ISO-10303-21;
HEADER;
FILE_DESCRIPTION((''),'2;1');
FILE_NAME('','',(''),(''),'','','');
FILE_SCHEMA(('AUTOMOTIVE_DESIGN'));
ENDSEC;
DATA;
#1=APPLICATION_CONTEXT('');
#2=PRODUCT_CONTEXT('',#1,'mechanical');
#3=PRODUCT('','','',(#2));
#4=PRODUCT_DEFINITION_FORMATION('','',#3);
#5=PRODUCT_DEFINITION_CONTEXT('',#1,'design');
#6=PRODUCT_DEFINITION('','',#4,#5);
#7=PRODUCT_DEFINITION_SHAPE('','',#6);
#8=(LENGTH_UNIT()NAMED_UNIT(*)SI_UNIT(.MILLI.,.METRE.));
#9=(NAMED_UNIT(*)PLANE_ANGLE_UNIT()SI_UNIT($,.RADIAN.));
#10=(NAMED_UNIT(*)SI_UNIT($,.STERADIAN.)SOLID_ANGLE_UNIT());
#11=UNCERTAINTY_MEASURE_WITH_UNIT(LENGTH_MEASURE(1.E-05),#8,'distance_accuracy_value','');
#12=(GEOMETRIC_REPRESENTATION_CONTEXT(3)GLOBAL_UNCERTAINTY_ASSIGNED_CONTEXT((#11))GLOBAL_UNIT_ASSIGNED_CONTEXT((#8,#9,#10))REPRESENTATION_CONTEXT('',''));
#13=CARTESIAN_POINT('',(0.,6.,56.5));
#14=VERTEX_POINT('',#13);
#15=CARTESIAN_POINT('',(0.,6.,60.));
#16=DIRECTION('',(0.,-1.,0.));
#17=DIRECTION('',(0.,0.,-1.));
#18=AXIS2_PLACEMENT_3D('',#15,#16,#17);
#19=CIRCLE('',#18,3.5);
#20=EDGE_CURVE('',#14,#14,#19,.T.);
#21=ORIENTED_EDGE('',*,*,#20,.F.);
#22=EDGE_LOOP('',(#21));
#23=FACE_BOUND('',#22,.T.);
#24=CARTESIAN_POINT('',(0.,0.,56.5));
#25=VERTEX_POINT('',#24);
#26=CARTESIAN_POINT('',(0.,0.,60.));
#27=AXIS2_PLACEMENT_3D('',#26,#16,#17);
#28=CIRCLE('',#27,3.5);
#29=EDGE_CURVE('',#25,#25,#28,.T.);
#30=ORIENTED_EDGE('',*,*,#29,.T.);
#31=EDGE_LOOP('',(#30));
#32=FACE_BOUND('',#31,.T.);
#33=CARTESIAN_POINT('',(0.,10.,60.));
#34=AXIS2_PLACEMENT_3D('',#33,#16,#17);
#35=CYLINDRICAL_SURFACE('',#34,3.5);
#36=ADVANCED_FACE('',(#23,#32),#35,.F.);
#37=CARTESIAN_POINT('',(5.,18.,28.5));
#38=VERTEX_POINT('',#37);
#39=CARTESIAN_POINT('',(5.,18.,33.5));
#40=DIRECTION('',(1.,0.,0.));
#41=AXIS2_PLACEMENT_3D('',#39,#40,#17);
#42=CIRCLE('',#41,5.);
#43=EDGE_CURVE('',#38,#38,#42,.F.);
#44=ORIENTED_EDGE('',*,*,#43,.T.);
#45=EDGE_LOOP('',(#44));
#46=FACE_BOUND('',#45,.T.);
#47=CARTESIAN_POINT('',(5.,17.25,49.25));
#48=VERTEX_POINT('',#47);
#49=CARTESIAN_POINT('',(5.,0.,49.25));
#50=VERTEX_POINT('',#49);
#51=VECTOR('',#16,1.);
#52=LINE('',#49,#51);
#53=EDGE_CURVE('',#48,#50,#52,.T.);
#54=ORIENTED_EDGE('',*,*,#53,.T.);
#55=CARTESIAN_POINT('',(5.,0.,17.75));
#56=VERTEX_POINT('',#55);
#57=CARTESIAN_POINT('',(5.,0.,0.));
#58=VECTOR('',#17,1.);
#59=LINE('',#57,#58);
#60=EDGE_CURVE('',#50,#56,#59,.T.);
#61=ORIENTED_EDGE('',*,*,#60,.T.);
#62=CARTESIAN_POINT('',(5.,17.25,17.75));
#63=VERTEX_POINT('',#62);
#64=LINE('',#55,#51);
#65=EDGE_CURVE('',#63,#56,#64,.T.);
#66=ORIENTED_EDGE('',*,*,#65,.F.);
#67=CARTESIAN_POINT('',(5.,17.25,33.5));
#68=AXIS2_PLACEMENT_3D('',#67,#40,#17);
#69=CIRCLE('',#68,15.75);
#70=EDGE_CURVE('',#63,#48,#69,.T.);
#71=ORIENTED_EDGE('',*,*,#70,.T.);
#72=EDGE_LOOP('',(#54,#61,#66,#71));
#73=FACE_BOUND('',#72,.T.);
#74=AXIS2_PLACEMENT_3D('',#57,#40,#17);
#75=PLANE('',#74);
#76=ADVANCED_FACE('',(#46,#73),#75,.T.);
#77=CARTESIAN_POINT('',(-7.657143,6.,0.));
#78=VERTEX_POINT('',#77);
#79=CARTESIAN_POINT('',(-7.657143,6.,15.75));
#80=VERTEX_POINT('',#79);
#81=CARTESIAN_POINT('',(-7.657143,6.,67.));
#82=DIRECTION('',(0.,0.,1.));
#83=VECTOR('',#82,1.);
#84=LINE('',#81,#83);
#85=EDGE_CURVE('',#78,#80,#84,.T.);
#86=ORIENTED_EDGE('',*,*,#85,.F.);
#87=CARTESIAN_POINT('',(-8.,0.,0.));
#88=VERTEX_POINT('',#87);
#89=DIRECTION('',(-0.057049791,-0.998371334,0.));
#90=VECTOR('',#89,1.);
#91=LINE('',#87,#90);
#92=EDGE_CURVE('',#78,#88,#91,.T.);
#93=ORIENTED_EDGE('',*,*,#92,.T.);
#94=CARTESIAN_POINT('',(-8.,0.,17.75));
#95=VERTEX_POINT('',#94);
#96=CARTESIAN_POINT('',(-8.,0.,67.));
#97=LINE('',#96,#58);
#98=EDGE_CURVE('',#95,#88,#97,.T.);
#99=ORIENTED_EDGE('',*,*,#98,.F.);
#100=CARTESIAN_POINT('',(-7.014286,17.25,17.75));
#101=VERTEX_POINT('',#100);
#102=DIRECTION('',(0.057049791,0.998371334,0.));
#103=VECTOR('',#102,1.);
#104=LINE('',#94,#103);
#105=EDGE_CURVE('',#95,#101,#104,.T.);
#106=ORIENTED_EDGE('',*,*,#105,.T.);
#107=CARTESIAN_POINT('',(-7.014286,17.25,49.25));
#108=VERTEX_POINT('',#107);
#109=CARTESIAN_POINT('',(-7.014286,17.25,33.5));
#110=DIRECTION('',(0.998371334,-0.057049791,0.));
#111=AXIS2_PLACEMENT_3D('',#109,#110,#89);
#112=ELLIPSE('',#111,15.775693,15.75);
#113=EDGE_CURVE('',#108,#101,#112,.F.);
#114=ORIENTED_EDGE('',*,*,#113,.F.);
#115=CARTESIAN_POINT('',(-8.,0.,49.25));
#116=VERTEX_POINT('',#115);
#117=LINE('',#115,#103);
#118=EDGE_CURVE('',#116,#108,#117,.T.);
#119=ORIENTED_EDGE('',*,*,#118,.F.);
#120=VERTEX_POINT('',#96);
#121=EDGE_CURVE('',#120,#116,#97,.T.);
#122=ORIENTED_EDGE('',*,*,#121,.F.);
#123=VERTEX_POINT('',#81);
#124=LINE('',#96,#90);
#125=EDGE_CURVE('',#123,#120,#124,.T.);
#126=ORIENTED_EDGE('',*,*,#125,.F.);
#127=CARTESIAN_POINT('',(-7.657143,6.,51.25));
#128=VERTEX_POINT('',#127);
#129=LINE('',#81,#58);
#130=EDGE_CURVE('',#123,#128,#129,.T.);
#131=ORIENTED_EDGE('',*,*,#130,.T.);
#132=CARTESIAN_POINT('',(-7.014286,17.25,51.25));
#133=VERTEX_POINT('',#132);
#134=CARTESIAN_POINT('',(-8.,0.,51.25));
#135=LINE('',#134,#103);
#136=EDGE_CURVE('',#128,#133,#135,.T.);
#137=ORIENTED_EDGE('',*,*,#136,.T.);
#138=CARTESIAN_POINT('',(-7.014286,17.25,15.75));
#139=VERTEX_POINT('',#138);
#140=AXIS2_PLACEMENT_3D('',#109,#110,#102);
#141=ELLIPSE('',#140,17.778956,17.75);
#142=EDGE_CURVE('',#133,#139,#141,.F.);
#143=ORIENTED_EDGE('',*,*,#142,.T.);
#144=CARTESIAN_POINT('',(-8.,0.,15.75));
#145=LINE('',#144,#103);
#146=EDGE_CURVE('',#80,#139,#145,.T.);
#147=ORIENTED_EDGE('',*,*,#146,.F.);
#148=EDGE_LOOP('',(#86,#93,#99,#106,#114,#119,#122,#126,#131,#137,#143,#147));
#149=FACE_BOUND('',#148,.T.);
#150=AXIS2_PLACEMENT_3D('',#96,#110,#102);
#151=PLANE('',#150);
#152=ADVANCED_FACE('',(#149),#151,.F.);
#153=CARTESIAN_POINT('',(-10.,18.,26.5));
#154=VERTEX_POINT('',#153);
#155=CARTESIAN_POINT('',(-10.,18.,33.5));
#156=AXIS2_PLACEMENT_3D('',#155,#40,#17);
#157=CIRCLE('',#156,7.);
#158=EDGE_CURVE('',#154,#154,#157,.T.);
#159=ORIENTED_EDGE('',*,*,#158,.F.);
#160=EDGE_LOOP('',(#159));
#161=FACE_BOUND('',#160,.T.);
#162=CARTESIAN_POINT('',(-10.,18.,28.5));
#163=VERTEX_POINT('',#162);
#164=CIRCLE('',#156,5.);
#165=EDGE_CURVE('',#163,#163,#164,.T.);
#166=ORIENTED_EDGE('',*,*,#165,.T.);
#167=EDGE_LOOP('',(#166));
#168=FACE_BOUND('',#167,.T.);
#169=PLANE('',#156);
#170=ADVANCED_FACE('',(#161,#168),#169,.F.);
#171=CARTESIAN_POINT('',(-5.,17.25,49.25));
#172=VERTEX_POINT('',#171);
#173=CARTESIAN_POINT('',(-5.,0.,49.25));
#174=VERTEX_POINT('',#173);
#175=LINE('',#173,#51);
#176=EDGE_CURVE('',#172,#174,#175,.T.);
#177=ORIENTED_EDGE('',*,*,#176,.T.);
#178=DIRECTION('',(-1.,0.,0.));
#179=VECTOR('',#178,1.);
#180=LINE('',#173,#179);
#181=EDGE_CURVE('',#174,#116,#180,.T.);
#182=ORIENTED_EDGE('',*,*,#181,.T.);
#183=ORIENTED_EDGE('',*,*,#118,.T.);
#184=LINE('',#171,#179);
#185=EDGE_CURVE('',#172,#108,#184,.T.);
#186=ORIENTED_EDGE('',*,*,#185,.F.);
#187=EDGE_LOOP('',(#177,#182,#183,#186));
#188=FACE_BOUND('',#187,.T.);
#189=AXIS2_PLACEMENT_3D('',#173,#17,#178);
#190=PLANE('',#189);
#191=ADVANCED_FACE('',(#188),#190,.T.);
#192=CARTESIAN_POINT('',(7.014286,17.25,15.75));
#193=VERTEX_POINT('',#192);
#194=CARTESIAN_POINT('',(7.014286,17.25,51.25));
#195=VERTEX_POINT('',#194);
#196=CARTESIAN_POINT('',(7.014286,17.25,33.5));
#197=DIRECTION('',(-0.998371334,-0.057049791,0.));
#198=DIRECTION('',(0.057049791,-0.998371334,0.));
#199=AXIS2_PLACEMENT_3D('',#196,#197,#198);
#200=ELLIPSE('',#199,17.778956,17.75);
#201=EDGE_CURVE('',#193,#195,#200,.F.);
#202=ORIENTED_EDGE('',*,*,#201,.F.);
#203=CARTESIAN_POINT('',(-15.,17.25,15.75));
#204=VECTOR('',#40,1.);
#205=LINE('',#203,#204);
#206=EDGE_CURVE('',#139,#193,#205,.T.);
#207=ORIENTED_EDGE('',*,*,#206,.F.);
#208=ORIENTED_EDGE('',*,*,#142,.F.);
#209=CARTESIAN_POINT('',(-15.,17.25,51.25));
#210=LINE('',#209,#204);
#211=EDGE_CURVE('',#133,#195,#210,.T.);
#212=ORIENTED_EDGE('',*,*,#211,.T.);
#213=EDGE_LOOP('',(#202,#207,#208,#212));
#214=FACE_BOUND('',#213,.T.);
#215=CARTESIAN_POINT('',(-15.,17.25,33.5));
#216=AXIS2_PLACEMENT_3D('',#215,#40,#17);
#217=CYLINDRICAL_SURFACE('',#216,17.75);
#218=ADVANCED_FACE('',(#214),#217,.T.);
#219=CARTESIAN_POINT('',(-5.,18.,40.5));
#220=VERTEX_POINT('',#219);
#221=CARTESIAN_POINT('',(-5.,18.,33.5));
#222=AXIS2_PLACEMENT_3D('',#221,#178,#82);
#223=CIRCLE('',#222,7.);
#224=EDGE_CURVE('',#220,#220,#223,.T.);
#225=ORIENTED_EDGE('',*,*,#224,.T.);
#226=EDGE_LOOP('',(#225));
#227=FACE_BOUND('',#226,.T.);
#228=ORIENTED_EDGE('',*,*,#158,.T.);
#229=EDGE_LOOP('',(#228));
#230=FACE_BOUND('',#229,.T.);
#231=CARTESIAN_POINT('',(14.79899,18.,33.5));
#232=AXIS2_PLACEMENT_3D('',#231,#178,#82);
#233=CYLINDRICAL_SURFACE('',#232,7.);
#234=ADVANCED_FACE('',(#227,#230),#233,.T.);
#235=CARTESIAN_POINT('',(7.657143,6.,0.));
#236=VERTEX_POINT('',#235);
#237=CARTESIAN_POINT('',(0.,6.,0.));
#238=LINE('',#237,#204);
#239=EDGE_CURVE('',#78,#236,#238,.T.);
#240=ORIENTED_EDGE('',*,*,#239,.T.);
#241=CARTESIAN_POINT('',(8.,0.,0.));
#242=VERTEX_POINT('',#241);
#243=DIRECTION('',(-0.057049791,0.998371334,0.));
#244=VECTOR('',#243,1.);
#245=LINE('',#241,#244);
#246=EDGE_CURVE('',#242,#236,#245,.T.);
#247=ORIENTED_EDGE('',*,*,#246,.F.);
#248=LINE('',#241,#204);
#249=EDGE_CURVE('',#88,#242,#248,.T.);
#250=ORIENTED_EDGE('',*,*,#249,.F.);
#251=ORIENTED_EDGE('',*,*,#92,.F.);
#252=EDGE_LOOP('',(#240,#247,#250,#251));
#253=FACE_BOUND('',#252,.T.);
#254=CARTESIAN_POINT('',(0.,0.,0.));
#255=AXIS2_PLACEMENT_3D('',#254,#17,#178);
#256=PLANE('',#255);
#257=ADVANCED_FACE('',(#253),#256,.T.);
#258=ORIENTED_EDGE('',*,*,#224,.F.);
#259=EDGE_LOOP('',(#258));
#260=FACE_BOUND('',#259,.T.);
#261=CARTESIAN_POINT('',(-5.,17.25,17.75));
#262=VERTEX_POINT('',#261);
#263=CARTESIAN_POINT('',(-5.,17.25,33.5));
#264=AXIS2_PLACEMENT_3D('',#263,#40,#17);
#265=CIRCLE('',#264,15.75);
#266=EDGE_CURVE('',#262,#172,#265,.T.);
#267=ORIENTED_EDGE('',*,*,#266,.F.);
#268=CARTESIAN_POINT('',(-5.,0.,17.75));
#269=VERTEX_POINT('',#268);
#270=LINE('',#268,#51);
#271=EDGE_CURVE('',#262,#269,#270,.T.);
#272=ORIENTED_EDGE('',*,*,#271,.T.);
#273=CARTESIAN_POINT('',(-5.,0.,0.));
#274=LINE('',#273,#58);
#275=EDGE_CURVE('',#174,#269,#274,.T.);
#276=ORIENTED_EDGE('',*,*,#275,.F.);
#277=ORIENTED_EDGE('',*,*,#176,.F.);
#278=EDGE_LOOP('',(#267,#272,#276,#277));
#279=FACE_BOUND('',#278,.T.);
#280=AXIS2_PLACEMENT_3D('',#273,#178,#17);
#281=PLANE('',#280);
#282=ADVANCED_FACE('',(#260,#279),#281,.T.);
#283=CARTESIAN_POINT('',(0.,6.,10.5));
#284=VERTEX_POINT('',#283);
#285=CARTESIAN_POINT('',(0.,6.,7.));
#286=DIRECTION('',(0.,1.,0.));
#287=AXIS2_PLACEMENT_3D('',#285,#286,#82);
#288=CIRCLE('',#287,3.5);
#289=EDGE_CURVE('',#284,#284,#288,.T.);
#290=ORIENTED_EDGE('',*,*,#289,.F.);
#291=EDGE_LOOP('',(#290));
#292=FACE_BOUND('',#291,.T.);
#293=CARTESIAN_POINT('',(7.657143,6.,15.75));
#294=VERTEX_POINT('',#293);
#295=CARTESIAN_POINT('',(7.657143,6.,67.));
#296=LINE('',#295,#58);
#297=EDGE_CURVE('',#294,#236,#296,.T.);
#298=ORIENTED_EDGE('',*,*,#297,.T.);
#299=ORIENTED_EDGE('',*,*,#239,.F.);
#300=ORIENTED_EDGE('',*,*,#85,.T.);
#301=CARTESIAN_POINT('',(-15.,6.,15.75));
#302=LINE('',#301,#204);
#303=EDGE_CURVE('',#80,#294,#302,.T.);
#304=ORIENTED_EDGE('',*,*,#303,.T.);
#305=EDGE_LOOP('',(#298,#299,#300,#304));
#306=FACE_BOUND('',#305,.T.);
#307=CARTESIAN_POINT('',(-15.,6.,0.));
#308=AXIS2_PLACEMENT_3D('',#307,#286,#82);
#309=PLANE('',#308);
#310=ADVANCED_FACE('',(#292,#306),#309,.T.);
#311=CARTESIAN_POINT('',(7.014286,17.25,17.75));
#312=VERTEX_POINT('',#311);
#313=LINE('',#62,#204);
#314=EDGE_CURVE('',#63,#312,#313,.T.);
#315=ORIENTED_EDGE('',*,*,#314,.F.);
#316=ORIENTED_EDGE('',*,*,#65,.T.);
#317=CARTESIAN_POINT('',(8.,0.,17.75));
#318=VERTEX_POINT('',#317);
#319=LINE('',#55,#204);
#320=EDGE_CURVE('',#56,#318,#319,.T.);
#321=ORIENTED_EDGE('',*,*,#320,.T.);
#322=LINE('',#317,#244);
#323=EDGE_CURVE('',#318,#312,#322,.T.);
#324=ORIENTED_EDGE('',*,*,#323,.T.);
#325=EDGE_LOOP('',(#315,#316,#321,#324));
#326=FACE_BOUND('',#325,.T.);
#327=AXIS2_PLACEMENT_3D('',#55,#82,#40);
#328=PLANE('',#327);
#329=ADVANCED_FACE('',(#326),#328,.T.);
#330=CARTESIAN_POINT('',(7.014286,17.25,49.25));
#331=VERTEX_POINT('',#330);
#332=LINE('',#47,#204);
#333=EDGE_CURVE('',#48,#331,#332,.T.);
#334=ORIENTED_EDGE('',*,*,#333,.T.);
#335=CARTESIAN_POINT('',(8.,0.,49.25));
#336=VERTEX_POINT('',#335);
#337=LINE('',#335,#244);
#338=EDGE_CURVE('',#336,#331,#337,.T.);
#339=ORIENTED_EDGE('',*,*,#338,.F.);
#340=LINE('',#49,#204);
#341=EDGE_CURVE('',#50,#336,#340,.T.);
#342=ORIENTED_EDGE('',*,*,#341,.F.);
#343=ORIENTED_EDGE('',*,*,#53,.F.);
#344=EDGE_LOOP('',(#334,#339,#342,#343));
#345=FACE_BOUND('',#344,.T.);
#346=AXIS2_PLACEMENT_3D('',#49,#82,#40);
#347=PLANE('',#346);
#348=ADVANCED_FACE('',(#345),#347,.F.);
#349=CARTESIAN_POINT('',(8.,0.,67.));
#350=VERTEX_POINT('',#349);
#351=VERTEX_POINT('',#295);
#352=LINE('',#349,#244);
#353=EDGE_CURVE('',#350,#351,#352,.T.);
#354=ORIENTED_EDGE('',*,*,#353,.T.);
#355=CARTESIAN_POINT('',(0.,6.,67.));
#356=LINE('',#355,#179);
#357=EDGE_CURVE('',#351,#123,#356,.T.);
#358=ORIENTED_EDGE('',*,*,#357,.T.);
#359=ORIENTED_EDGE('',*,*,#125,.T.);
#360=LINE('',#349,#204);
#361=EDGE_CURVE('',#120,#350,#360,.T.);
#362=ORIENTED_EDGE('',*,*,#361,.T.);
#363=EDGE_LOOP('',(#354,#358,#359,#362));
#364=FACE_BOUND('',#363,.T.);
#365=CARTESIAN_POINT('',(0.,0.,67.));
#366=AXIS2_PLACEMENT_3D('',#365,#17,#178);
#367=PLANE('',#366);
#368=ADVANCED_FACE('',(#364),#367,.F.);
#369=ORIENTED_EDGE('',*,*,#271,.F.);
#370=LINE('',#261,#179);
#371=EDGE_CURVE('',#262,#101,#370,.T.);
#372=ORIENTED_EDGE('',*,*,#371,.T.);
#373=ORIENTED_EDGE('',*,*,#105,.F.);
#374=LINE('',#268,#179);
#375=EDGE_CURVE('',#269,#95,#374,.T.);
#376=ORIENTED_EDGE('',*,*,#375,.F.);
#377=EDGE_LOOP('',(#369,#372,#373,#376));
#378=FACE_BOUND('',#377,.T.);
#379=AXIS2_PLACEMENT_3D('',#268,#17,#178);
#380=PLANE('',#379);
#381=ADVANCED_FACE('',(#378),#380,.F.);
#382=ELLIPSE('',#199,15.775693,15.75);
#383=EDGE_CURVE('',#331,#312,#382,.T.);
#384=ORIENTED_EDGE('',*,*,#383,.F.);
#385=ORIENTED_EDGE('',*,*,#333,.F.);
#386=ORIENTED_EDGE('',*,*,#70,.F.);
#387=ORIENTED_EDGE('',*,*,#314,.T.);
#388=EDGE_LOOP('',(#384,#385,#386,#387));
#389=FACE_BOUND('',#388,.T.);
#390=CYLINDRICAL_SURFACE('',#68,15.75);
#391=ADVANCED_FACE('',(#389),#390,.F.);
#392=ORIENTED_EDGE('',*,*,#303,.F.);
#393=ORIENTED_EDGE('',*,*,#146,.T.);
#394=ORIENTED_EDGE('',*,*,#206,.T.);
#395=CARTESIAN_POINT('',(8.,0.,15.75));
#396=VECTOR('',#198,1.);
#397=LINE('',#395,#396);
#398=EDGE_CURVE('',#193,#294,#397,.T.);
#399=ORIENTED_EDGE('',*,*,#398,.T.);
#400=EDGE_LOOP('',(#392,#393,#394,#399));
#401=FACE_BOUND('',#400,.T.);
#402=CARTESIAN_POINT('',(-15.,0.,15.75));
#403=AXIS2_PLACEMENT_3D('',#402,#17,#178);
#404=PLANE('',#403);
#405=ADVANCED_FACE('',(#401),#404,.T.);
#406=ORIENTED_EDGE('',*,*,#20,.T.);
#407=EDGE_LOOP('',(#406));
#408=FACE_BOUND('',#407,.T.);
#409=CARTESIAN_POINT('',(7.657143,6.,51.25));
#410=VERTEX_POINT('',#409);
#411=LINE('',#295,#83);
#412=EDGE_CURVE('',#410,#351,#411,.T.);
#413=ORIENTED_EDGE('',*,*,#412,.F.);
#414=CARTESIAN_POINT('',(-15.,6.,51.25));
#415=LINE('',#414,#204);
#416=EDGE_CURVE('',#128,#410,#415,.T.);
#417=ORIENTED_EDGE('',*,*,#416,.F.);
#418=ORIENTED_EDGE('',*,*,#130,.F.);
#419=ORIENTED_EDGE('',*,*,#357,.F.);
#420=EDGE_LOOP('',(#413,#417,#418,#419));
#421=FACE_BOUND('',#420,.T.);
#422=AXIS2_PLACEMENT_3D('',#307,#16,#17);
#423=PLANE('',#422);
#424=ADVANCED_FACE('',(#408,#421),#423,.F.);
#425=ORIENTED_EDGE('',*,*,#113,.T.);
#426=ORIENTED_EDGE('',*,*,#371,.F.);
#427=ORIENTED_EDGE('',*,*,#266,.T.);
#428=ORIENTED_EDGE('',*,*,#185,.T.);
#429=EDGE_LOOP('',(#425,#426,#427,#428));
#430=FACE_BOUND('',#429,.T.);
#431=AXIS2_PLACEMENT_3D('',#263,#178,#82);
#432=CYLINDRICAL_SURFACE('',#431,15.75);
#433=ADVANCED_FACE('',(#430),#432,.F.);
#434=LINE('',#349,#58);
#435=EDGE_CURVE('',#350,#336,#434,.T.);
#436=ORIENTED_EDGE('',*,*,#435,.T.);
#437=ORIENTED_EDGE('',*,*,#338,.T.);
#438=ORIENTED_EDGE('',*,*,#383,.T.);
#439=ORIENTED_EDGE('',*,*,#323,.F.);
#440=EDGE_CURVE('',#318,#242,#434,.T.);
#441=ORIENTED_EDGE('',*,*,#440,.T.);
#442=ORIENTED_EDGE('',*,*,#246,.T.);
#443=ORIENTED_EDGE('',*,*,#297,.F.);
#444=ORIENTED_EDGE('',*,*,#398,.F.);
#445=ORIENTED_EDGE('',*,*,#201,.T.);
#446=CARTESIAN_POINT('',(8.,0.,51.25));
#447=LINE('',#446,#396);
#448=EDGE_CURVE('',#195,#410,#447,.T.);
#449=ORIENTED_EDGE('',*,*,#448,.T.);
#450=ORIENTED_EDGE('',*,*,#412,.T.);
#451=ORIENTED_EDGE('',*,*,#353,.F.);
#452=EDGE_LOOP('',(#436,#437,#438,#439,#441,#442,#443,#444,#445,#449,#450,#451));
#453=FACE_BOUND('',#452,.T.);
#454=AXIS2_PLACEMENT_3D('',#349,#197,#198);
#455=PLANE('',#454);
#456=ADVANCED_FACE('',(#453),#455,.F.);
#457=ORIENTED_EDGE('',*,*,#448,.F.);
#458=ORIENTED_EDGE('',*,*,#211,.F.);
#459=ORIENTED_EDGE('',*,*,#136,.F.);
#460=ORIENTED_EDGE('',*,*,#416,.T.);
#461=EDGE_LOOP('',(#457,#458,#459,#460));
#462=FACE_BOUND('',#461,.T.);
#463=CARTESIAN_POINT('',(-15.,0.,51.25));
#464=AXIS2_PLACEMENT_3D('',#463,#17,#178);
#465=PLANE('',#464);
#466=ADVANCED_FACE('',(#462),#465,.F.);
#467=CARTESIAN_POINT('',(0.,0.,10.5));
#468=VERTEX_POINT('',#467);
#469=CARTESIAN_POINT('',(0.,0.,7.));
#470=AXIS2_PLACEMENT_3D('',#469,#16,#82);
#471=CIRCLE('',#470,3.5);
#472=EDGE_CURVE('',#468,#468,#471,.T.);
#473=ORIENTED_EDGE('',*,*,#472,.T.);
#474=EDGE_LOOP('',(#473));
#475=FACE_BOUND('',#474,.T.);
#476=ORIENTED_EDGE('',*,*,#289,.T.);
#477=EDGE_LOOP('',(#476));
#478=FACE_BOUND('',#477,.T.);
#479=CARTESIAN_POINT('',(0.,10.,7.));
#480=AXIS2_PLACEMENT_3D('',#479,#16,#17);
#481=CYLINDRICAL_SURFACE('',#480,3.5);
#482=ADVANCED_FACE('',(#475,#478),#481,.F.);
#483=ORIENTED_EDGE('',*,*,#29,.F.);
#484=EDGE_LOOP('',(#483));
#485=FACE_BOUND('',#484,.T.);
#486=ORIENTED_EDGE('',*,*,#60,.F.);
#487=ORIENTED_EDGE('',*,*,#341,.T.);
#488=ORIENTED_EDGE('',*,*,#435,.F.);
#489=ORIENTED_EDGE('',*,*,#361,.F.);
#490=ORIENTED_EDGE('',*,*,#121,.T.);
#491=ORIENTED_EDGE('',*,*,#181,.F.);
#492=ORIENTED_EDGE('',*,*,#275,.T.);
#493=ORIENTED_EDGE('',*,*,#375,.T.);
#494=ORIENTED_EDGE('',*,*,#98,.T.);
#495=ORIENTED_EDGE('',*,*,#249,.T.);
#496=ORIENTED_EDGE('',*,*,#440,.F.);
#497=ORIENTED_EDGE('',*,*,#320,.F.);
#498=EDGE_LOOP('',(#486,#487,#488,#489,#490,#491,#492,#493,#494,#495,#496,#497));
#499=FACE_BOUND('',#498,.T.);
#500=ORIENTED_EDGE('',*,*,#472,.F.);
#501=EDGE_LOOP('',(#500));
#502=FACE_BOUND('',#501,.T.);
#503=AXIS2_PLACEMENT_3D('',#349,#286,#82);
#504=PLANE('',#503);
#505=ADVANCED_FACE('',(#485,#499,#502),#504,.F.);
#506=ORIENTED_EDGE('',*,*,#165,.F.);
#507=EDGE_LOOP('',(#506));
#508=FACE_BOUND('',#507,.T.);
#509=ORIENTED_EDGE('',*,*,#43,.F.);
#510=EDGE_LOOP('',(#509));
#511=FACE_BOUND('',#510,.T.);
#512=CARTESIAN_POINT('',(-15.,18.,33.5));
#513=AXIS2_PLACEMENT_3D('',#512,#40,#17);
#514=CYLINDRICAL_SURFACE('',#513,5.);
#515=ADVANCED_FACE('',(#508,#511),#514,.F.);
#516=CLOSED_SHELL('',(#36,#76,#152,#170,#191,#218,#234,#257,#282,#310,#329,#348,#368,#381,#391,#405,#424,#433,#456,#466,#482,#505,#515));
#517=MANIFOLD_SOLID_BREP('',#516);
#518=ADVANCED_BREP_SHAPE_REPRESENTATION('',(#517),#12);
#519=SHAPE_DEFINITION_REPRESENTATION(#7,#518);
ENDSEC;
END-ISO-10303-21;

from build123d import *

# Parameters (mm, degrees)
EXTRUDE_1_DEPTH     = 67
SKETCH_2_R          = 5
CUT_EXTRUDE_1_DEPTH = 15
CUT_EXTRUDE_2_DEPTH = 3
SKETCH_4_R          = 7
SKETCH_4_R_2        = 5
EXTRUDE_2_DEPTH     = 5
SKETCH_5_R          = 3.5
CUT_EXTRUDE_4_DEPTH = 10


with BuildPart() as part:
    # 草图1 → 凸台-拉伸1 (new body)
    with BuildSketch(Plane.XY):
        Polygon((8, 0), (-8, 0), (-6, 35), (6, 35), align=None)
    extrude(amount=EXTRUDE_1_DEPTH)

    # 草图2 → 切除-拉伸1 (cut, symmetric)
    with BuildSketch(Plane(origin=(0, 0, 0), x_dir=(0, 0, -1), z_dir=(1, 0, 0))):
        with BuildLine():
            Line((-67, 35), (-67, 6))
            Line((-67, 6), (-51.25, 6))
            Line((-51.25, 6), (-51.25, 17.25))
            ThreePointArc((-51.25, 17.25), (-46.051145366, 29.801145366), (-33.5, 35))
            Line((-33.5, 35), (-67, 35))
        make_face()
        with BuildLine():
            Line((0, 35), (-33.5, 35))
            ThreePointArc((-33.5, 35), (-20.948854634, 29.801145366), (-15.75, 17.25))
            Line((-15.75, 17.25), (-15.75, 6))
            Line((-15.75, 6), (0, 6))
            Line((0, 6), (0, 35))
        make_face()
        with Locations((-33.5, 18)):
            Circle(SKETCH_2_R)
    extrude(amount=CUT_EXTRUDE_1_DEPTH, both=True, mode=Mode.SUBTRACT)

    # 草图3 → 切除-拉伸2 (cut)
    with BuildSketch(Plane(origin=(8, 0, 0), x_dir=(0, 0, -1), z_dir=(1, 0, 0))):
        with BuildLine():
            Line((-49.25, 6), (-49.25, 0))
            Line((-49.25, 0), (-17.75, 0))
            Line((-17.75, 0), (-17.75, 6))
            Line((-17.75, 6), (-17.75, 17.25))
            ThreePointArc((-17.75, 17.25), (-33.5, 33), (-49.25, 17.25))
            Line((-49.25, 17.25), (-49.25, 6))
        make_face()
    cut_extrude_2 = extrude(amount=-CUT_EXTRUDE_2_DEPTH, mode=Mode.SUBTRACT)

    # 镜向1: 切除-拉伸2 across plane
    add(cut_extrude_2.mirror(Plane(origin=(0, 0, 0), x_dir=(0, 0, 1), z_dir=(1, 0, 0))), mode=Mode.SUBTRACT)

    # 草图4 → 凸台-拉伸2 (add)
    with BuildSketch(Plane(origin=(-10, 0, 0), x_dir=(0, 0, -1), z_dir=(1, 0, 0))):
        with Locations((-33.5, 18)):
            Circle(SKETCH_4_R)
        with Locations((-33.5, 18)):
            Circle(SKETCH_4_R_2, mode=Mode.SUBTRACT)
    extrude(amount=EXTRUDE_2_DEPTH)

    # 草图5 → 切除-拉伸4 (cut)
    with BuildSketch(Plane.XZ):
        with Locations((0, 60)):
            Circle(SKETCH_5_R)
        with Locations((0, 7)):
            Circle(SKETCH_5_R)
    extrude(amount=-CUT_EXTRUDE_4_DEPTH, mode=Mode.SUBTRACT)


solid = part.part
